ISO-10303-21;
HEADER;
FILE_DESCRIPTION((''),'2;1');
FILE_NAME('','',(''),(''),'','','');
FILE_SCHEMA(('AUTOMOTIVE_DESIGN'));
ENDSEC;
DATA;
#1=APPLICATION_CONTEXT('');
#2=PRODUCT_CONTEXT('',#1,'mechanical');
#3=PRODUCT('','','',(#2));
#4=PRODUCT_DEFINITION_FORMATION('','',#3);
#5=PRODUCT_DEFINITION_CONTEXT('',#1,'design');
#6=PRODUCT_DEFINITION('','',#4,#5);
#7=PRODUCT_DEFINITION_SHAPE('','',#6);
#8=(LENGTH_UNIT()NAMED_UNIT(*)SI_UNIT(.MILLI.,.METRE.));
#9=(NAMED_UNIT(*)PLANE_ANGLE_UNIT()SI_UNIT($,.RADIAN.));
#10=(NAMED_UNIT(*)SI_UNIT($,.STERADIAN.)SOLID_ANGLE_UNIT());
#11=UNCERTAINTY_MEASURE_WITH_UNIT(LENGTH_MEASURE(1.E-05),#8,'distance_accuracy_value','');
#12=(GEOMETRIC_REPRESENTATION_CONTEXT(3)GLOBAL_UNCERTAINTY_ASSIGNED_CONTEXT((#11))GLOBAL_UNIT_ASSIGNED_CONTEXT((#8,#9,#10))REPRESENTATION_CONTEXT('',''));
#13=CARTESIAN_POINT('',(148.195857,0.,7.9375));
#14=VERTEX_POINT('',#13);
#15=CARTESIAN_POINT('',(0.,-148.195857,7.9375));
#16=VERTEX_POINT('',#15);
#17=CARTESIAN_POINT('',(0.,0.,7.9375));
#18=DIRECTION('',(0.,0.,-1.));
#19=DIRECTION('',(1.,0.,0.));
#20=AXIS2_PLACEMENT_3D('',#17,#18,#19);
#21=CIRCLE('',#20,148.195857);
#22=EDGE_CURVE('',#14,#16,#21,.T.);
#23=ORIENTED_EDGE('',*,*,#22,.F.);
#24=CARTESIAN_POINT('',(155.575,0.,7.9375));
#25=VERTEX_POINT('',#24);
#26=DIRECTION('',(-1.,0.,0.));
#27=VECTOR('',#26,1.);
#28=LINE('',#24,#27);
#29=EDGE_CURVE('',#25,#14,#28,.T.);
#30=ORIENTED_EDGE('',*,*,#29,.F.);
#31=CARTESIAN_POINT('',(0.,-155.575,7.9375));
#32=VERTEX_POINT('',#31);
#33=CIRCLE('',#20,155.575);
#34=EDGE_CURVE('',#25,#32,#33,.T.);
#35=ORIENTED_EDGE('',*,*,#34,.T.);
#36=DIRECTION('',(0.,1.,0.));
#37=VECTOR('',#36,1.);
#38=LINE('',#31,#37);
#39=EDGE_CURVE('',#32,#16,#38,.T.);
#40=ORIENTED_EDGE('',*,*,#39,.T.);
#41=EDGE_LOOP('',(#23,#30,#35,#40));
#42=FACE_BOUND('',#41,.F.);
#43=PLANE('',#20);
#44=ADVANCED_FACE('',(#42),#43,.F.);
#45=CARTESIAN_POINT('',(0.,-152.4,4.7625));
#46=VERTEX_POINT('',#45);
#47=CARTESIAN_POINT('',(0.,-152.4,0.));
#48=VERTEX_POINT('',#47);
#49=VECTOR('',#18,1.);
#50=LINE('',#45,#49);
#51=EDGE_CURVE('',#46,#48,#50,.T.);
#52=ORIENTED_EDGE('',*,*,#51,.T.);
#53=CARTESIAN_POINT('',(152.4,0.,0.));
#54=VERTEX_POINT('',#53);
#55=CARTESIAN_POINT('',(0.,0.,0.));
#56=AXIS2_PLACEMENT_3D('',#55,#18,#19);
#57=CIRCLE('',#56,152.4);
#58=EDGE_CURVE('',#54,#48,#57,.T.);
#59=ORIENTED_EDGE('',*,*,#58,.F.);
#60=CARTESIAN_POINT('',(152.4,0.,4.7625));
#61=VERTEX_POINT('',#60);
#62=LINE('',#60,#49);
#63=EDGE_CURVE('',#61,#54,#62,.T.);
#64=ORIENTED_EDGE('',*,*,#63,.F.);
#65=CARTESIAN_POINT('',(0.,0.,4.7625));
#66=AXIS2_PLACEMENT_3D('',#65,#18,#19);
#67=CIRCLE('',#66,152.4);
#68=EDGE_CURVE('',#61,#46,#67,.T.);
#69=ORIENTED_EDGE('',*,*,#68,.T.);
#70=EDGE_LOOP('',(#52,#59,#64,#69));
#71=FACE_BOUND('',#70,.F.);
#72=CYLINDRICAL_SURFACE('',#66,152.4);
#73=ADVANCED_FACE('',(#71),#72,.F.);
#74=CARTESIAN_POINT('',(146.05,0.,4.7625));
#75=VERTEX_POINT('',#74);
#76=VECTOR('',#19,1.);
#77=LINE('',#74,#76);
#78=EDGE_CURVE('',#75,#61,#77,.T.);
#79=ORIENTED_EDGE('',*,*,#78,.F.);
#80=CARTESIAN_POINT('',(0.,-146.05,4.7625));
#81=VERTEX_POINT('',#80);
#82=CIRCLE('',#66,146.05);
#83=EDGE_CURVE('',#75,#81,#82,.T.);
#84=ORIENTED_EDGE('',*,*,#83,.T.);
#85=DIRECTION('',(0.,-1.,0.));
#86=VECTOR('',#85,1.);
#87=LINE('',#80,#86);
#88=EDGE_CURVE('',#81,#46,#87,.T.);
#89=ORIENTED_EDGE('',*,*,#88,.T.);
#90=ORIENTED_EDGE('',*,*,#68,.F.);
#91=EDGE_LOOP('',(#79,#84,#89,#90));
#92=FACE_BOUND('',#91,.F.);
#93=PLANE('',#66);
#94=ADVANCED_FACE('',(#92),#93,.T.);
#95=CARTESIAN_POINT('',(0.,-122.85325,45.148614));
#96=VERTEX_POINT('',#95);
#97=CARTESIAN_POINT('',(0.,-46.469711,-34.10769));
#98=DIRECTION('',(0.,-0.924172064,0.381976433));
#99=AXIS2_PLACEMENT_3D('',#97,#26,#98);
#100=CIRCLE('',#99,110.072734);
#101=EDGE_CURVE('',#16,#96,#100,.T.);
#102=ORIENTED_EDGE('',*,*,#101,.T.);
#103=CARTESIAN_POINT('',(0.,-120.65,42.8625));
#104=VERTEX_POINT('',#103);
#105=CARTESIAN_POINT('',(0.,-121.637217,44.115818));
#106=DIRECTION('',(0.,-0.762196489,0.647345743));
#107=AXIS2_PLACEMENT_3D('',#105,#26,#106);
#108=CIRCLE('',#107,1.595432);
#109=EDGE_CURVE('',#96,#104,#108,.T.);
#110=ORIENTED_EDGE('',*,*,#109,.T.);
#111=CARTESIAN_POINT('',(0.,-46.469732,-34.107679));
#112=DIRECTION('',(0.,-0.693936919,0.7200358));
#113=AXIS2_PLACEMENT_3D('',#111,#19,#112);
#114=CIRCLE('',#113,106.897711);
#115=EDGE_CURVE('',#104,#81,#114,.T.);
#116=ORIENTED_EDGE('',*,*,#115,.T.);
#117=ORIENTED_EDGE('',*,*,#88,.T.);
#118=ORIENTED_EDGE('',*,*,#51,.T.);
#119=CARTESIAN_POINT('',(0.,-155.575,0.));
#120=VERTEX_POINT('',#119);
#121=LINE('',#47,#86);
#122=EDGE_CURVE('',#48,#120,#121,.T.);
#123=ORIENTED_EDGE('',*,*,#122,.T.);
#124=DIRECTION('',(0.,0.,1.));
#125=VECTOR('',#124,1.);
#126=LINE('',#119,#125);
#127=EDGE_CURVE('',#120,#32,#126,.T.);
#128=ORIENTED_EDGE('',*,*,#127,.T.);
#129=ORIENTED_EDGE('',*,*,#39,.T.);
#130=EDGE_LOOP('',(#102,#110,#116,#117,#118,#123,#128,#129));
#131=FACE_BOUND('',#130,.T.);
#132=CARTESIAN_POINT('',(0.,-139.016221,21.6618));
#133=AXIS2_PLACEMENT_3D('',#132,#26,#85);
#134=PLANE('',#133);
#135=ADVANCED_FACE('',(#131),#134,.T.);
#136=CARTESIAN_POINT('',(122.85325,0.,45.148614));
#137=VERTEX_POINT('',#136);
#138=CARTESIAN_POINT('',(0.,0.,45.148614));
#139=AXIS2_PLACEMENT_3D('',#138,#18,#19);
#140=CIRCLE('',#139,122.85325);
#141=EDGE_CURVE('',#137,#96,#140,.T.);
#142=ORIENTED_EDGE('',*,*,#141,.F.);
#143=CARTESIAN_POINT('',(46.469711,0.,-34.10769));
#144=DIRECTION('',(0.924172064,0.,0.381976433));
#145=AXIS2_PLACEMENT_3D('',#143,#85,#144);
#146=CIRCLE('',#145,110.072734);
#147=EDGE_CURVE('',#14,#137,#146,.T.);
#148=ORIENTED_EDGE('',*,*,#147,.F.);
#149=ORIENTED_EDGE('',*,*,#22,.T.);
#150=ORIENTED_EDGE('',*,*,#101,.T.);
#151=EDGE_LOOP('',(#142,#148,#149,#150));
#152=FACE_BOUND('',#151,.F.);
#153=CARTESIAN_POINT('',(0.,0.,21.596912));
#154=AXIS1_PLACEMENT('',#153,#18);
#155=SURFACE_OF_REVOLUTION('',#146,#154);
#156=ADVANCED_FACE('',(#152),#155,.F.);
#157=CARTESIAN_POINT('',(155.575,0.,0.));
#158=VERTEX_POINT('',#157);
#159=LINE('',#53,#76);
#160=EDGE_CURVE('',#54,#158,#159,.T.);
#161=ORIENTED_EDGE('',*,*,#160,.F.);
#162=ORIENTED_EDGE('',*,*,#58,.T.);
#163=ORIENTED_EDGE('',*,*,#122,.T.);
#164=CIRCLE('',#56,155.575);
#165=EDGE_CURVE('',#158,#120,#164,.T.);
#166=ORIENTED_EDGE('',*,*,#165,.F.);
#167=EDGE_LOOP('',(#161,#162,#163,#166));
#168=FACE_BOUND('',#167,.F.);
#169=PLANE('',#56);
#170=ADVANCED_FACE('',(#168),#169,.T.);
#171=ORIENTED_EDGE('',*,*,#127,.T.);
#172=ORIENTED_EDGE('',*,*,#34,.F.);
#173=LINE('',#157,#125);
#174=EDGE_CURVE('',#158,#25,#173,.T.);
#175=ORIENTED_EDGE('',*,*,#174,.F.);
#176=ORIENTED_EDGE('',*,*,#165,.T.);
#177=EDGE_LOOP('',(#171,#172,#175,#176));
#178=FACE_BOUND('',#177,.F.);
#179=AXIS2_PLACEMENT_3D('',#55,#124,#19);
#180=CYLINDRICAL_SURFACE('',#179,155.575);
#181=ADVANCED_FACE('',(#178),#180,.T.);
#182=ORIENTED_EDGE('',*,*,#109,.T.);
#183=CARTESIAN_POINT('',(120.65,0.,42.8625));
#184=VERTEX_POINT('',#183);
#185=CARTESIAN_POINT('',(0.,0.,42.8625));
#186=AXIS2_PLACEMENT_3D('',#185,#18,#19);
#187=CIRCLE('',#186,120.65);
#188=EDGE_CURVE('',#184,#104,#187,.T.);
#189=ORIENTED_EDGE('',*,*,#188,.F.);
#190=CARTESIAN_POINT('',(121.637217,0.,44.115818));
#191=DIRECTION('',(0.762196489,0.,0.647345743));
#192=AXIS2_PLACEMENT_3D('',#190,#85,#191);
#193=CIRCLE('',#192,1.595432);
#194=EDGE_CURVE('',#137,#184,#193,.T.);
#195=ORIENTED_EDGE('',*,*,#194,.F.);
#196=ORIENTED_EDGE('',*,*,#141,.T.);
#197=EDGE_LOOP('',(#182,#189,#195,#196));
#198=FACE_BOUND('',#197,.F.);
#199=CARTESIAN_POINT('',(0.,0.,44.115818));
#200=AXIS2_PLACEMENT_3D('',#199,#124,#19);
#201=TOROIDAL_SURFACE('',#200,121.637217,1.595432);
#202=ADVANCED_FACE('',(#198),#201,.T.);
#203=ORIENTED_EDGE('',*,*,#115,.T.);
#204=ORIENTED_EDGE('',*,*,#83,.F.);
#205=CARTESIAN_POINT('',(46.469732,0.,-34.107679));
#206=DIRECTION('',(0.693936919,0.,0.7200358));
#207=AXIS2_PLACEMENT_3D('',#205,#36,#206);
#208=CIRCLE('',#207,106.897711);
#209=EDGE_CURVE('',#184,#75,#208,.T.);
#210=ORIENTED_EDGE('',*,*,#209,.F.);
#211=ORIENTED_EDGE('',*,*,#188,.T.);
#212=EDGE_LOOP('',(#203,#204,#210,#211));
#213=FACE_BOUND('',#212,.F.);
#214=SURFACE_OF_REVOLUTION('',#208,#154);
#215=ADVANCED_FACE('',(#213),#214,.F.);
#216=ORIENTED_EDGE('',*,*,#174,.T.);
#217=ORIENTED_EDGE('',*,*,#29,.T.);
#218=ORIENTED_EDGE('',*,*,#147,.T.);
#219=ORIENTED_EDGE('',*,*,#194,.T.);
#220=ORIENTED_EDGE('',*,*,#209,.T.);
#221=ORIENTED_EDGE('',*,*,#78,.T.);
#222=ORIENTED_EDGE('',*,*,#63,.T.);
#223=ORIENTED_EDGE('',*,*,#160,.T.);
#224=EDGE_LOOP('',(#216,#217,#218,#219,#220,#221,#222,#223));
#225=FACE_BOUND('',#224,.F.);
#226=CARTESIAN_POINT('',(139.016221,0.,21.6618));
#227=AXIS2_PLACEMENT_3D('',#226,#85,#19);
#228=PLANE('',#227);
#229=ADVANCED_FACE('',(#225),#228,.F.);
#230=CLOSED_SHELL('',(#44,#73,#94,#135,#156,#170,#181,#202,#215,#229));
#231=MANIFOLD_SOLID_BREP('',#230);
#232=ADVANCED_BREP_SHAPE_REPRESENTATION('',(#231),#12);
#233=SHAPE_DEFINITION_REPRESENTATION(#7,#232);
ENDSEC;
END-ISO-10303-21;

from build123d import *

# Parameters (mm, degrees)
F1_ANGLE = 90


with BuildPart() as f1:
    # F0 (on Front) → F1 (revolve)
    with BuildSketch(Plane.XZ):
        with BuildLine():
            Line((152.4, 4.7625), (152.4, 0))
            Line((152.4, 0), (155.575, 0))
            Line((155.575, 0), (155.575, 7.9375))
            Line((155.575, 7.9375), (148.195857, 7.9375))
            ThreePointArc((148.195857, 7.9375), (137.447355, 27.85258), (122.85325, 45.148614))
            ThreePointArc((122.85325, 45.148614), (120.488449, 45.222947), (120.65, 42.8625))
            ThreePointArc((120.65, 42.8625), (135.414004, 25.188502), (146.05, 4.7625))
            Line((146.05, 4.7625), (152.4, 4.7625))
        make_face()
    revolve(axis=Axis((0, 0, 21.596912), (0, 0, -1)), revolution_arc=F1_ANGLE)


solid = f1.part
